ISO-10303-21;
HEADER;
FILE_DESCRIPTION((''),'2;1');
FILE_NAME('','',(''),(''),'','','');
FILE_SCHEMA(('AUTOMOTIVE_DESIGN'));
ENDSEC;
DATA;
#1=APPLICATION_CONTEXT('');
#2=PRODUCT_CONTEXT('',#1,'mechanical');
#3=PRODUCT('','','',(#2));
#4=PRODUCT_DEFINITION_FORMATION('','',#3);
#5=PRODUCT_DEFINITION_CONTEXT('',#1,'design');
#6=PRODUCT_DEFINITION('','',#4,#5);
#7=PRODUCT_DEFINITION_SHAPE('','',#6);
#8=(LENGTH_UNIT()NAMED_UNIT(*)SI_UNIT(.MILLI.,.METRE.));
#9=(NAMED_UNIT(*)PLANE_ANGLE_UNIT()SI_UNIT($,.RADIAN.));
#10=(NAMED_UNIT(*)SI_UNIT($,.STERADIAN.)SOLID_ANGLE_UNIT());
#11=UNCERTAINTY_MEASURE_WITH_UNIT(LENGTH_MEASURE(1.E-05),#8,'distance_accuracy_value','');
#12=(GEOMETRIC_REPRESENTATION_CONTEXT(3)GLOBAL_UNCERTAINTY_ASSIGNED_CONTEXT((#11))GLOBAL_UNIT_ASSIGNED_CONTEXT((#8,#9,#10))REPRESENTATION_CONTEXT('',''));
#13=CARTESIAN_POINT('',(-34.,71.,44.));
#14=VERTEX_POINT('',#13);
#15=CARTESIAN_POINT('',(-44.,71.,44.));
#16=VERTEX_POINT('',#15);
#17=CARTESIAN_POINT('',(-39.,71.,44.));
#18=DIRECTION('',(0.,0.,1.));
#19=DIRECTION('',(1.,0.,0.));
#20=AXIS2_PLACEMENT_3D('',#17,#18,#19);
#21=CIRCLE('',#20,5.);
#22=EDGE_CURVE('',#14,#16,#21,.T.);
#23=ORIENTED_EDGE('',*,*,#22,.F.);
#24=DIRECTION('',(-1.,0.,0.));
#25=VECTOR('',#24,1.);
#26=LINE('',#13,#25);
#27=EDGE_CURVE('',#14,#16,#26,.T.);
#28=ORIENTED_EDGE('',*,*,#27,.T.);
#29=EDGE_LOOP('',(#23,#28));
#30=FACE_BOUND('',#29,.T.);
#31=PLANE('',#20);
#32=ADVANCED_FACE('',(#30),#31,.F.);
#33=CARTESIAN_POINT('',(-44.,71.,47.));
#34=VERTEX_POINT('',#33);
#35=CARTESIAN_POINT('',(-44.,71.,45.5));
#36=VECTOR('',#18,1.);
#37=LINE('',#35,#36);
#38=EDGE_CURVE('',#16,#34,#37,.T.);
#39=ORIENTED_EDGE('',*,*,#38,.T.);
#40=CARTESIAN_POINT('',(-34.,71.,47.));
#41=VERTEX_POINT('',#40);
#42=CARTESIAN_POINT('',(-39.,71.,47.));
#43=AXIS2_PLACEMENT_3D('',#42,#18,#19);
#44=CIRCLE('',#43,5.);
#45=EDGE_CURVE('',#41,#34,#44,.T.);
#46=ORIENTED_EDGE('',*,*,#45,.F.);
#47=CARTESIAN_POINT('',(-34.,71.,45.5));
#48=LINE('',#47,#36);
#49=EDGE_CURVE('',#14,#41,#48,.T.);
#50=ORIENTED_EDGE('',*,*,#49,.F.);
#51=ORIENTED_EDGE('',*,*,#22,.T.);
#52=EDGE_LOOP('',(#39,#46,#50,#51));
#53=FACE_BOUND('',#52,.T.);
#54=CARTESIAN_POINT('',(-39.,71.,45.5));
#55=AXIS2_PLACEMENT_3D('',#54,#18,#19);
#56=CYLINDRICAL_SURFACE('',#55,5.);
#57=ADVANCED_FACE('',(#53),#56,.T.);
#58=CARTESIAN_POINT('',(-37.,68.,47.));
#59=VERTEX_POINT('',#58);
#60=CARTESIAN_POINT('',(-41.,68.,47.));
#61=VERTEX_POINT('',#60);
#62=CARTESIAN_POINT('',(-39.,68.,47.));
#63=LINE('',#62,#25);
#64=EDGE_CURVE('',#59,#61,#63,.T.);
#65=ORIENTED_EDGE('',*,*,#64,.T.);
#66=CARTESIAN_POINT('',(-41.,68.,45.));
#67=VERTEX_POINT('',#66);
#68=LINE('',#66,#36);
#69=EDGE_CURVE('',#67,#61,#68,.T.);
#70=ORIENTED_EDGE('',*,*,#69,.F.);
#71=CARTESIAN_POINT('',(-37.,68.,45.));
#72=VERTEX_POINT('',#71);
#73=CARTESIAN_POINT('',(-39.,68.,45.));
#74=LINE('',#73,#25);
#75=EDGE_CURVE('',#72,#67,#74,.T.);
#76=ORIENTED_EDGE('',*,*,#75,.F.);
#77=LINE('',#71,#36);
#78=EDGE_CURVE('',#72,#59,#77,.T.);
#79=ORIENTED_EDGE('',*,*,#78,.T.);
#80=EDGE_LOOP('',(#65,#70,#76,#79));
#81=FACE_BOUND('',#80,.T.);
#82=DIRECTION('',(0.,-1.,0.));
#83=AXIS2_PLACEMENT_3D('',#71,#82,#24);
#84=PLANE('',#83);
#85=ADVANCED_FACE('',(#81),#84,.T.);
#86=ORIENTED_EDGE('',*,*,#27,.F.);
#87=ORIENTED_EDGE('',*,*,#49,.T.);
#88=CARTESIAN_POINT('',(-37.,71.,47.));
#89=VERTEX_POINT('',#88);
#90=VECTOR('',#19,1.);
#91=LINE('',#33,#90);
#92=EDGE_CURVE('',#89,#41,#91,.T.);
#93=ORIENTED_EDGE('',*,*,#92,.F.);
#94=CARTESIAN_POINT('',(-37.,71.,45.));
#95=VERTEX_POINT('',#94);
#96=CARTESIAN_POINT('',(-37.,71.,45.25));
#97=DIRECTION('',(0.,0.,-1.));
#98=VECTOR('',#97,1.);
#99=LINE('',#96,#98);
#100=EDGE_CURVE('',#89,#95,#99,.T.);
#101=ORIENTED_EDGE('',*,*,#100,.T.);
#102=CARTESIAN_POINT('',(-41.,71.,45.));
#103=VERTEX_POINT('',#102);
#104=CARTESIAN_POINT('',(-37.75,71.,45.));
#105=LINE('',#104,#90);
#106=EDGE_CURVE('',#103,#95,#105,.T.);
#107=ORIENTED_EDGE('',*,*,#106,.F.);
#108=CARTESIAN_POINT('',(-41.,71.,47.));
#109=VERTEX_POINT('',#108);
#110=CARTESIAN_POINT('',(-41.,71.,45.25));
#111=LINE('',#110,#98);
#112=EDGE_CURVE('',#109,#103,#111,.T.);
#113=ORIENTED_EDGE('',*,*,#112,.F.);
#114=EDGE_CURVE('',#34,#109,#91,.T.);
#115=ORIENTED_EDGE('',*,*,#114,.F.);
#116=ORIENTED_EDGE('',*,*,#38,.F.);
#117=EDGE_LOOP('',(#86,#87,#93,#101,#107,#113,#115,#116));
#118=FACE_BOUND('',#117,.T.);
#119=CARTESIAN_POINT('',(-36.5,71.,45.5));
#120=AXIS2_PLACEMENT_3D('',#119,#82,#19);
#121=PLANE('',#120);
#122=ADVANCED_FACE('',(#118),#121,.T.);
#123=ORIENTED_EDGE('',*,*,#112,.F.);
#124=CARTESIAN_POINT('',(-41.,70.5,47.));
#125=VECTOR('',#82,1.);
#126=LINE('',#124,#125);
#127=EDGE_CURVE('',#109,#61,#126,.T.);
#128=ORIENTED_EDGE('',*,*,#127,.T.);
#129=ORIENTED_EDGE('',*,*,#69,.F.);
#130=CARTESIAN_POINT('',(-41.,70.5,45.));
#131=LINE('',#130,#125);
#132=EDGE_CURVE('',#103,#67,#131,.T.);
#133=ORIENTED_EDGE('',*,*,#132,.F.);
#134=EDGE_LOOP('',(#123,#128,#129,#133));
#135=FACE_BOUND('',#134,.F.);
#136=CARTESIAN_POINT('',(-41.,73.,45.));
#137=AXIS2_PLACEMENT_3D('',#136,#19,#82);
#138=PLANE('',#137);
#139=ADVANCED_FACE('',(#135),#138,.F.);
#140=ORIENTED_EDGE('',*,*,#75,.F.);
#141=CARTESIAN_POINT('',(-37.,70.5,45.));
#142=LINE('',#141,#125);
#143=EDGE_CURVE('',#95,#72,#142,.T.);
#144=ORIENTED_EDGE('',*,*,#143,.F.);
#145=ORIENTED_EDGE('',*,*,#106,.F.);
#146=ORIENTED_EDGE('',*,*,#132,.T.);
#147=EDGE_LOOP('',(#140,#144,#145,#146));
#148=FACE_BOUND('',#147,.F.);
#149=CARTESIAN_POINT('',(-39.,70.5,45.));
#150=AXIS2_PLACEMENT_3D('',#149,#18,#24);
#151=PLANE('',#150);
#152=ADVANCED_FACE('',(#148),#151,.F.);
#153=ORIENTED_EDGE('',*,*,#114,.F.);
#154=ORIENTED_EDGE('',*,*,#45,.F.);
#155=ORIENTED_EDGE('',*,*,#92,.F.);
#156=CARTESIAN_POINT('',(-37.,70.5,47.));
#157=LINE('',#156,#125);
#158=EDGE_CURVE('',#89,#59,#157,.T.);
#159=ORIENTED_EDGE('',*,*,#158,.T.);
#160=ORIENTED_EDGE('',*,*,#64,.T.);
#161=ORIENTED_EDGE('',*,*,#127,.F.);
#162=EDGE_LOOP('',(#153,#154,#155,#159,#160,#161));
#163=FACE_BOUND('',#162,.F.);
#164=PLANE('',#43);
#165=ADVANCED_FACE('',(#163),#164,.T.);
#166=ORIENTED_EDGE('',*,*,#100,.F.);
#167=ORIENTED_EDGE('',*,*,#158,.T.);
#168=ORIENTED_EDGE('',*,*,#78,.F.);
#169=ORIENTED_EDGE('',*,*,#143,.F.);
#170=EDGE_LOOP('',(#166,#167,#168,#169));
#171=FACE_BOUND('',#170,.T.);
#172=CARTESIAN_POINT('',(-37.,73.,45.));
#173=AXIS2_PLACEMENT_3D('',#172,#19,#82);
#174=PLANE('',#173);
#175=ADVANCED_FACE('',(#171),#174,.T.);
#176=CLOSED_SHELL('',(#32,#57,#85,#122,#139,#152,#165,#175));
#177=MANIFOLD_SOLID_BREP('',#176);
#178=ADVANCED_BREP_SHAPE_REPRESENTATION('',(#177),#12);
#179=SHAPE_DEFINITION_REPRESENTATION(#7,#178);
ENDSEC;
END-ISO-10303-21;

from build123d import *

# Parameters (mm, degrees)
CYLINDER048_W                = 5
CYLINDER048_H                = 3
CYLINDER048_ANGLE            = 180
BOX044_W                     = 4
BOX044_H                     = 5
BOX044_DEPTH                 = 2
FUSION002025_PLACEMENT_ANGLE = 180


with BuildPart() as cilindro048:
    # Cylinder048 → Cylinder048 (revolve)
    with BuildSketch(Plane(origin=(-39, 48, 44), x_dir=(-1, 0, 0), z_dir=(0, 1, 0))):
        with Locations((2.5, 1.5)):
            Rectangle(CYLINDER048_W, CYLINDER048_H)
    revolve(axis=Axis((-39, 48, 44), (0, 0, 1)), revolution_arc=CYLINDER048_ANGLE)


with BuildPart() as fusion002025:
    # Box044 → Box044 (new body)
    with BuildSketch(Plane(origin=(-41, 46, 45), x_dir=(1, 0, 0), z_dir=(0, 0, 1))):
        with Locations((2, 2.5)):
            Rectangle(BOX044_W, BOX044_H)
    extrude(amount=BOX044_DEPTH)

    # Fusion002025: union Cilindro048
    add(cilindro048.part)


with BuildPart() as fusion002025_1:
    # Fusion002025 placement: moved
    add(fusion002025.part.moved(Location((-78, 119, 0))).rotate(Axis((-78, 119, 0), (0, 0, 1)), FUSION002025_PLACEMENT_ANGLE))


solid = fusion002025_1.part
